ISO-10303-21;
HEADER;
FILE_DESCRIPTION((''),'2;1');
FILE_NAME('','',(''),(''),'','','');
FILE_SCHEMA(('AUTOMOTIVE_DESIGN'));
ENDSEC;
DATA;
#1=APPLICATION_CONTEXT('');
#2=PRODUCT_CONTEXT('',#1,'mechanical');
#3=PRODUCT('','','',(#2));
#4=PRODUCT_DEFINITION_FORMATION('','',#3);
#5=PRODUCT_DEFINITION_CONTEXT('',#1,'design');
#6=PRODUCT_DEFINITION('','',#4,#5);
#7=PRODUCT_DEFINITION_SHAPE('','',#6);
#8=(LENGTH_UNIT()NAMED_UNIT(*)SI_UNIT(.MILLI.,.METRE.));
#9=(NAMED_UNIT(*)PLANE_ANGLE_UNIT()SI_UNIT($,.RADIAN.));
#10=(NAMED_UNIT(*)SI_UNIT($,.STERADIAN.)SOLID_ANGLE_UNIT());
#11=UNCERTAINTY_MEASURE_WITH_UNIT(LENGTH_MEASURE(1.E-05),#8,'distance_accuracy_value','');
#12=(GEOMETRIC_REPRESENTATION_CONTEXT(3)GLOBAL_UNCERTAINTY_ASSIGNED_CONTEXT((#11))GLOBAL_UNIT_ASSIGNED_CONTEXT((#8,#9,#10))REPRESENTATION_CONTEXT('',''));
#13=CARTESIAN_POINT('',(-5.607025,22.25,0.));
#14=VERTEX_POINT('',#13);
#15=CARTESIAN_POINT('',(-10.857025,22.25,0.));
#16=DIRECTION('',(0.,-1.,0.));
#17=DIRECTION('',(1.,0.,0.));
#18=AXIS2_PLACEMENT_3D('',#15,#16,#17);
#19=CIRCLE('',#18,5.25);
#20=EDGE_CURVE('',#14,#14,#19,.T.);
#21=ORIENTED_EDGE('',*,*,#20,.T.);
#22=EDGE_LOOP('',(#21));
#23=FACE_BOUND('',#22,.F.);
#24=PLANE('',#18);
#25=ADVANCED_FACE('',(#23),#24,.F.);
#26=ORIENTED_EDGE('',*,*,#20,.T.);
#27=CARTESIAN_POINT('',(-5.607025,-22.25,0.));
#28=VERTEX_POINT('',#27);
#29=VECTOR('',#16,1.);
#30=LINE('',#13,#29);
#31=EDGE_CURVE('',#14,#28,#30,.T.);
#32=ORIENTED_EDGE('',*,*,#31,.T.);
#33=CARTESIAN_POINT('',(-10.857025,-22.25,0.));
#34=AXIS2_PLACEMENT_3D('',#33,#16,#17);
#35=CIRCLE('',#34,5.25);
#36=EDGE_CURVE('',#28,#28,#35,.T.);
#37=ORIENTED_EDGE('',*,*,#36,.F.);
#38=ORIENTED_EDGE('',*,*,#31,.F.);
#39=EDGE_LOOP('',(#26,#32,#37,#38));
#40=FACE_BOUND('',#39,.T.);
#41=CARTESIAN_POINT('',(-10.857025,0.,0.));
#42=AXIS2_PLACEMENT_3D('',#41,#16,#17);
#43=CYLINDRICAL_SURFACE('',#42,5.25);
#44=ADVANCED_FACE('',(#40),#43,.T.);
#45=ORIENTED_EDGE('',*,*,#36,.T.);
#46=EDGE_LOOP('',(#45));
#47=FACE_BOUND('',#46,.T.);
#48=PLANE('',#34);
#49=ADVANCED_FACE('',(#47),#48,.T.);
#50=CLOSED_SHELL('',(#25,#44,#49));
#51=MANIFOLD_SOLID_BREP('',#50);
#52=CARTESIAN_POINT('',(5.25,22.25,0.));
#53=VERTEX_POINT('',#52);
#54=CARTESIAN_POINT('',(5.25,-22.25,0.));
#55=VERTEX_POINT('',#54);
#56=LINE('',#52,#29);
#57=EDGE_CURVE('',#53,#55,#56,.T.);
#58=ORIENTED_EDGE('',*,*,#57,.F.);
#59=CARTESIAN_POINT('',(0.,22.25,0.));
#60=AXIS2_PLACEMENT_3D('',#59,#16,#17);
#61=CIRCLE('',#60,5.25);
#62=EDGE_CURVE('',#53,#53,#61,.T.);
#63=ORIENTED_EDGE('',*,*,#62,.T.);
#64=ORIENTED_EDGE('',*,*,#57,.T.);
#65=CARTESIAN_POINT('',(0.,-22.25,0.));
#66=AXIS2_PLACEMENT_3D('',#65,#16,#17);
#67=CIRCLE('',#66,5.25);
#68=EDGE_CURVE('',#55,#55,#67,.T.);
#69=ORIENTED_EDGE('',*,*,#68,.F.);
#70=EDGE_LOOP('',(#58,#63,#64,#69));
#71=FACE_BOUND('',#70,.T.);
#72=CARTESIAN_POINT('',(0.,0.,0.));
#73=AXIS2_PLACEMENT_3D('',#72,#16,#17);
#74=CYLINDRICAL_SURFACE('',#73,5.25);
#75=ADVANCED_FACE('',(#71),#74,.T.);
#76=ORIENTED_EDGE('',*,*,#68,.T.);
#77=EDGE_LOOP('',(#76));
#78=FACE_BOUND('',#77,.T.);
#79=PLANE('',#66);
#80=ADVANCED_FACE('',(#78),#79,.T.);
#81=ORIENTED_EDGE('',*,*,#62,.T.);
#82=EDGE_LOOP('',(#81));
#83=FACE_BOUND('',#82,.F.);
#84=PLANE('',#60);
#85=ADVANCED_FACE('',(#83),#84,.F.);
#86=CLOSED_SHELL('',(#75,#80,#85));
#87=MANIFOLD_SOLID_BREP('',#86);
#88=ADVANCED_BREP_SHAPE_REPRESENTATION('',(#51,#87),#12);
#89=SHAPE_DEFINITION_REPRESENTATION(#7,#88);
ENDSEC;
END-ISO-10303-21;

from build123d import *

# Parameters (mm, degrees)
F0_R          = 5.25
F1_DEPTH      = 22.25
F1_DEPTH_BACK = 22.25


with BuildPart() as f1:
    # F0 (on Front) → F1 (new body, two sides)
    with BuildSketch(Plane.XZ) as f1_sk:
        Circle(F0_R)
        with Locations((-10.857025, 0)):
            Circle(F0_R)
    extrude(amount=F1_DEPTH)
    extrude(f1_sk.sketch, amount=-F1_DEPTH_BACK)


solid = f1.part
